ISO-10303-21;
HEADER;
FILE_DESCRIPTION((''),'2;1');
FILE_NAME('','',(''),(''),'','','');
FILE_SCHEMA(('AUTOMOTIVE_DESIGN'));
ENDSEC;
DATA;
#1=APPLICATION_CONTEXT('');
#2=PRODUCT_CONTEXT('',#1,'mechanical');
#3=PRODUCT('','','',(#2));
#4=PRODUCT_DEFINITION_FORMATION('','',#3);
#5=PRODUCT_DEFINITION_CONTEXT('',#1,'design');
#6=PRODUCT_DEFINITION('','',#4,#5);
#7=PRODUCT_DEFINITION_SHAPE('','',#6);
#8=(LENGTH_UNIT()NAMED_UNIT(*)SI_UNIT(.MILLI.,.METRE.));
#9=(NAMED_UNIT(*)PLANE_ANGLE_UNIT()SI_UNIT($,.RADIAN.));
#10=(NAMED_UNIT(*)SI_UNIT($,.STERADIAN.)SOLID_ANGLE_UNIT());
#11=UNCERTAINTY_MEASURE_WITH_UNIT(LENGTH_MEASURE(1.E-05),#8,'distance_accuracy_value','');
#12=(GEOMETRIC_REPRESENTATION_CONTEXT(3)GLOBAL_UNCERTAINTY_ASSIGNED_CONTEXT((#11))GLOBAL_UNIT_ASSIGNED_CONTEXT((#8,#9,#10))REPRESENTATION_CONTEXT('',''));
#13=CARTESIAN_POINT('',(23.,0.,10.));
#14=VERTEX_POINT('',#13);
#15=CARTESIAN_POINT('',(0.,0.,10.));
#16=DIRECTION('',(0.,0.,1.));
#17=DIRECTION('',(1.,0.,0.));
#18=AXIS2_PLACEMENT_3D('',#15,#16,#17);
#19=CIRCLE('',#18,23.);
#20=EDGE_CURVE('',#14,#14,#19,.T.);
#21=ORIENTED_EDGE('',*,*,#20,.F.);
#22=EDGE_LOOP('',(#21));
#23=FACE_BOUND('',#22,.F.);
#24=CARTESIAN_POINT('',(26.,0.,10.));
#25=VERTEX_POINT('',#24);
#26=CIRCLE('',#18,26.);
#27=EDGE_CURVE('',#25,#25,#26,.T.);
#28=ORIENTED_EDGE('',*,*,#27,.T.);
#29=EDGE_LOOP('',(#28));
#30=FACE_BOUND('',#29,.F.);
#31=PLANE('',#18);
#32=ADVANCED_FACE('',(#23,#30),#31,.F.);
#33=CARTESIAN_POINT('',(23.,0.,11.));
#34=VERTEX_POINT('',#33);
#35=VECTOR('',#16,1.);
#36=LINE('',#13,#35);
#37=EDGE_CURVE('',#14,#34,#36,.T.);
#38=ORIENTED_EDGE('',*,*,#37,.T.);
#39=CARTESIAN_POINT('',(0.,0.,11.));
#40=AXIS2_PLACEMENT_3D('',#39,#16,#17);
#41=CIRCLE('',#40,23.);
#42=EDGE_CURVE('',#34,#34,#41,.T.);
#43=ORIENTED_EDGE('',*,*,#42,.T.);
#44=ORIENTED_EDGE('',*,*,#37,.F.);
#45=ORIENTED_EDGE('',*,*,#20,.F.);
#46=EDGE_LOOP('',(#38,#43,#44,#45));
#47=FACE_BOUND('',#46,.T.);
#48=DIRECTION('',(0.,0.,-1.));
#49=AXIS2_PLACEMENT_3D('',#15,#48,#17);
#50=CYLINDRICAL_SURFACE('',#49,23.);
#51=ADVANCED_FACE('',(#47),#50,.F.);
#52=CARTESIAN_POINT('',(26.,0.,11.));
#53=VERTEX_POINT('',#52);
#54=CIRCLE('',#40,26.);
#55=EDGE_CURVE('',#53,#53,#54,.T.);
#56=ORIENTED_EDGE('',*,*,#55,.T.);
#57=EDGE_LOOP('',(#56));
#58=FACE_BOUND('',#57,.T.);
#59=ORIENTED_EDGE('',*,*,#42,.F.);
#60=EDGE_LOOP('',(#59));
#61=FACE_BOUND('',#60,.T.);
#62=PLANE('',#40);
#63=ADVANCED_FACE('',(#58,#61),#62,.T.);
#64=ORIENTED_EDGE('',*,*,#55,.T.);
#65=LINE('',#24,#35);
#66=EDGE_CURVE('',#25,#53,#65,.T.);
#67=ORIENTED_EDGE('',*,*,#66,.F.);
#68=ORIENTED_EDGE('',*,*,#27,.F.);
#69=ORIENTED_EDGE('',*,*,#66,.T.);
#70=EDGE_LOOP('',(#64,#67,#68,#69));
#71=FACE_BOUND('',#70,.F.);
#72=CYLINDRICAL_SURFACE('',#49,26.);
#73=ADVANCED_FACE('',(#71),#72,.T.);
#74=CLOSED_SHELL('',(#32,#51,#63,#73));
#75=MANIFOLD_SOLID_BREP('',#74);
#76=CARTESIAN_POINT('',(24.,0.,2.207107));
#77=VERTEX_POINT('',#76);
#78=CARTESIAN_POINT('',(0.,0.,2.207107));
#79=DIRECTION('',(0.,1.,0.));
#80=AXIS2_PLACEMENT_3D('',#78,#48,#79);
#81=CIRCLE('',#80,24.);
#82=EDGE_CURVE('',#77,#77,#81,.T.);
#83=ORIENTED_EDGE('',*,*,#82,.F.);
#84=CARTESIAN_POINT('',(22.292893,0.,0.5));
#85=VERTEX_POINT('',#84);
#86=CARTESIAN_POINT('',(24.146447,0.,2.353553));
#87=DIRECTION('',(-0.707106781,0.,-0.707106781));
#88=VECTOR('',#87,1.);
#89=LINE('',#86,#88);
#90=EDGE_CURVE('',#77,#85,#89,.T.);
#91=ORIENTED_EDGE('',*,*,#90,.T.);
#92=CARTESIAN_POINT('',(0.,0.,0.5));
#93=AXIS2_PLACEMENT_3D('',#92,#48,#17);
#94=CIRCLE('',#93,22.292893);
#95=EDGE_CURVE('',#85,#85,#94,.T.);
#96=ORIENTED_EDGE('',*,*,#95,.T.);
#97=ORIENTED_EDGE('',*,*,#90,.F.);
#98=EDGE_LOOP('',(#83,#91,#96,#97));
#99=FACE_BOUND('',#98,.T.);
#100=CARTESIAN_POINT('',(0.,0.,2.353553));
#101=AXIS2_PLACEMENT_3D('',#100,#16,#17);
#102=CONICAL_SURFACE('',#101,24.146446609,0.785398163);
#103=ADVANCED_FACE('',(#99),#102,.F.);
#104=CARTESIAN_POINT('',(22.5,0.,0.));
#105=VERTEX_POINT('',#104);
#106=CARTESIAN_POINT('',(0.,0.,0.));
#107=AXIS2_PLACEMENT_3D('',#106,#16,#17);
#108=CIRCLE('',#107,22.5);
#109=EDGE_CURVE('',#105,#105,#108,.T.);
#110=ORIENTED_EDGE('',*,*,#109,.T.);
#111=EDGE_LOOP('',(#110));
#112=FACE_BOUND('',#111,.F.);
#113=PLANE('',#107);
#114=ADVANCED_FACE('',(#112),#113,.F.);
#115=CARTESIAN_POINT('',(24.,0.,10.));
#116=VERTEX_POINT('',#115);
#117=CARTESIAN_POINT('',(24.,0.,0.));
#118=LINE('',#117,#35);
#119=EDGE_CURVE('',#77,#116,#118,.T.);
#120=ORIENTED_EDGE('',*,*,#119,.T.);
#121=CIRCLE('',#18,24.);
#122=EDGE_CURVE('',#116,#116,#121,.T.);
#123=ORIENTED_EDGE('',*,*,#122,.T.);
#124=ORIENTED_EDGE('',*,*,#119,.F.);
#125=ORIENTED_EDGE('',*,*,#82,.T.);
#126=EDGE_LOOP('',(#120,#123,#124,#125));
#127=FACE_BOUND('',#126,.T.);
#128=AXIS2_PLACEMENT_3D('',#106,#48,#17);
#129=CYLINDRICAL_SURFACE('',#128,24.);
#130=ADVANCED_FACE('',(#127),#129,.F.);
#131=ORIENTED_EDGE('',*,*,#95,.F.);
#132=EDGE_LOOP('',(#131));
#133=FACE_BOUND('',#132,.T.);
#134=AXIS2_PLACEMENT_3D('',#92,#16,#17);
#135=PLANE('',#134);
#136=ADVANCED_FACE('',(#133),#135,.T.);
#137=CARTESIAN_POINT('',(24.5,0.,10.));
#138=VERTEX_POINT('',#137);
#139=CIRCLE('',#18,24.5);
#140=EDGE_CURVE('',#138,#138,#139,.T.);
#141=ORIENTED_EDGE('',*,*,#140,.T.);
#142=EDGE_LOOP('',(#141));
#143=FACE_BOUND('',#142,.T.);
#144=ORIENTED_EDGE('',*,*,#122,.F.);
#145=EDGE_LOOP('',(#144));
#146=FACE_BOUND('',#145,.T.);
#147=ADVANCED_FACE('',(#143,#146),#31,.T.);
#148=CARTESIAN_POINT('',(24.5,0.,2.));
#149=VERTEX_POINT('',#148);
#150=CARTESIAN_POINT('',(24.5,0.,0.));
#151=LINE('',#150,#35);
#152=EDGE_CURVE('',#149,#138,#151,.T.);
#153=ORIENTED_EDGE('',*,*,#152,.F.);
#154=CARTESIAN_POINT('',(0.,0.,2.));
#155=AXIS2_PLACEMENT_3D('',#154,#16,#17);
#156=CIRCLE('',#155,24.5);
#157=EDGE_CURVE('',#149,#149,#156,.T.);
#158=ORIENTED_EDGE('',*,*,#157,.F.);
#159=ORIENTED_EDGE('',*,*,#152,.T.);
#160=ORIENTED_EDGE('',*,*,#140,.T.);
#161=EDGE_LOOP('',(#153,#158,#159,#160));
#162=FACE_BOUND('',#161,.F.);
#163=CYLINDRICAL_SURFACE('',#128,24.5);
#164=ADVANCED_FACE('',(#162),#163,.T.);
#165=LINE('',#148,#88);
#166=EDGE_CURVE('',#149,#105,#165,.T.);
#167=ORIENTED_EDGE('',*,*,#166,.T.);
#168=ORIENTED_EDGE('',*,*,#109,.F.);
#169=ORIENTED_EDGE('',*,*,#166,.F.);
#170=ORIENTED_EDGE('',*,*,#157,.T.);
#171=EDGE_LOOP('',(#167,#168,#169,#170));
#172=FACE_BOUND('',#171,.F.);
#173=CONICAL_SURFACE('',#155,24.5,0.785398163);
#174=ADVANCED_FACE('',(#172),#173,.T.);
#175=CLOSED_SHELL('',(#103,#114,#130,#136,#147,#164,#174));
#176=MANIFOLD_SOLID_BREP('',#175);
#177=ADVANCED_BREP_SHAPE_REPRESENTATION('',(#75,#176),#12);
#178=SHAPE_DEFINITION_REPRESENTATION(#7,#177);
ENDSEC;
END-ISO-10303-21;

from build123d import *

# Parameters (mm, degrees)
SKETCH001_R   = 26
SKETCH001_R_2 = 23
PAD001_DEPTH  = 1
SKETCH_R      = 24.5
PAD_DEPTH     = 10
CHAMFER_SIZE  = 2
THICKNESS_T   = -0.5


with BuildPart() as pad001:
    # Sketch001 → Pad001 (new body)
    with BuildSketch(Plane.XY.offset(10)):
        Circle(SKETCH001_R)
        Circle(SKETCH001_R_2, mode=Mode.SUBTRACT)
    extrude(amount=PAD001_DEPTH)


with BuildPart() as thickness:
    # Sketch → Pad (new body)
    with BuildSketch(Plane.XY):
        Circle(SKETCH_R)
    extrude(amount=PAD_DEPTH)

    # Chamfer
    chamfer_edges = [thickness.edges().sort_by_distance(p)[0] for p in [
        (-24.5, 0, 0),
    ]]
    chamfer(chamfer_edges, length=CHAMFER_SIZE)

    # Thickness
    thickness_openings = [thickness.faces().sort_by_distance(p)[0] for p in [
        (0, 0, 10),
    ]]
    offset(amount=THICKNESS_T, openings=thickness_openings)


solid = Compound([pad001.part, thickness.part])
